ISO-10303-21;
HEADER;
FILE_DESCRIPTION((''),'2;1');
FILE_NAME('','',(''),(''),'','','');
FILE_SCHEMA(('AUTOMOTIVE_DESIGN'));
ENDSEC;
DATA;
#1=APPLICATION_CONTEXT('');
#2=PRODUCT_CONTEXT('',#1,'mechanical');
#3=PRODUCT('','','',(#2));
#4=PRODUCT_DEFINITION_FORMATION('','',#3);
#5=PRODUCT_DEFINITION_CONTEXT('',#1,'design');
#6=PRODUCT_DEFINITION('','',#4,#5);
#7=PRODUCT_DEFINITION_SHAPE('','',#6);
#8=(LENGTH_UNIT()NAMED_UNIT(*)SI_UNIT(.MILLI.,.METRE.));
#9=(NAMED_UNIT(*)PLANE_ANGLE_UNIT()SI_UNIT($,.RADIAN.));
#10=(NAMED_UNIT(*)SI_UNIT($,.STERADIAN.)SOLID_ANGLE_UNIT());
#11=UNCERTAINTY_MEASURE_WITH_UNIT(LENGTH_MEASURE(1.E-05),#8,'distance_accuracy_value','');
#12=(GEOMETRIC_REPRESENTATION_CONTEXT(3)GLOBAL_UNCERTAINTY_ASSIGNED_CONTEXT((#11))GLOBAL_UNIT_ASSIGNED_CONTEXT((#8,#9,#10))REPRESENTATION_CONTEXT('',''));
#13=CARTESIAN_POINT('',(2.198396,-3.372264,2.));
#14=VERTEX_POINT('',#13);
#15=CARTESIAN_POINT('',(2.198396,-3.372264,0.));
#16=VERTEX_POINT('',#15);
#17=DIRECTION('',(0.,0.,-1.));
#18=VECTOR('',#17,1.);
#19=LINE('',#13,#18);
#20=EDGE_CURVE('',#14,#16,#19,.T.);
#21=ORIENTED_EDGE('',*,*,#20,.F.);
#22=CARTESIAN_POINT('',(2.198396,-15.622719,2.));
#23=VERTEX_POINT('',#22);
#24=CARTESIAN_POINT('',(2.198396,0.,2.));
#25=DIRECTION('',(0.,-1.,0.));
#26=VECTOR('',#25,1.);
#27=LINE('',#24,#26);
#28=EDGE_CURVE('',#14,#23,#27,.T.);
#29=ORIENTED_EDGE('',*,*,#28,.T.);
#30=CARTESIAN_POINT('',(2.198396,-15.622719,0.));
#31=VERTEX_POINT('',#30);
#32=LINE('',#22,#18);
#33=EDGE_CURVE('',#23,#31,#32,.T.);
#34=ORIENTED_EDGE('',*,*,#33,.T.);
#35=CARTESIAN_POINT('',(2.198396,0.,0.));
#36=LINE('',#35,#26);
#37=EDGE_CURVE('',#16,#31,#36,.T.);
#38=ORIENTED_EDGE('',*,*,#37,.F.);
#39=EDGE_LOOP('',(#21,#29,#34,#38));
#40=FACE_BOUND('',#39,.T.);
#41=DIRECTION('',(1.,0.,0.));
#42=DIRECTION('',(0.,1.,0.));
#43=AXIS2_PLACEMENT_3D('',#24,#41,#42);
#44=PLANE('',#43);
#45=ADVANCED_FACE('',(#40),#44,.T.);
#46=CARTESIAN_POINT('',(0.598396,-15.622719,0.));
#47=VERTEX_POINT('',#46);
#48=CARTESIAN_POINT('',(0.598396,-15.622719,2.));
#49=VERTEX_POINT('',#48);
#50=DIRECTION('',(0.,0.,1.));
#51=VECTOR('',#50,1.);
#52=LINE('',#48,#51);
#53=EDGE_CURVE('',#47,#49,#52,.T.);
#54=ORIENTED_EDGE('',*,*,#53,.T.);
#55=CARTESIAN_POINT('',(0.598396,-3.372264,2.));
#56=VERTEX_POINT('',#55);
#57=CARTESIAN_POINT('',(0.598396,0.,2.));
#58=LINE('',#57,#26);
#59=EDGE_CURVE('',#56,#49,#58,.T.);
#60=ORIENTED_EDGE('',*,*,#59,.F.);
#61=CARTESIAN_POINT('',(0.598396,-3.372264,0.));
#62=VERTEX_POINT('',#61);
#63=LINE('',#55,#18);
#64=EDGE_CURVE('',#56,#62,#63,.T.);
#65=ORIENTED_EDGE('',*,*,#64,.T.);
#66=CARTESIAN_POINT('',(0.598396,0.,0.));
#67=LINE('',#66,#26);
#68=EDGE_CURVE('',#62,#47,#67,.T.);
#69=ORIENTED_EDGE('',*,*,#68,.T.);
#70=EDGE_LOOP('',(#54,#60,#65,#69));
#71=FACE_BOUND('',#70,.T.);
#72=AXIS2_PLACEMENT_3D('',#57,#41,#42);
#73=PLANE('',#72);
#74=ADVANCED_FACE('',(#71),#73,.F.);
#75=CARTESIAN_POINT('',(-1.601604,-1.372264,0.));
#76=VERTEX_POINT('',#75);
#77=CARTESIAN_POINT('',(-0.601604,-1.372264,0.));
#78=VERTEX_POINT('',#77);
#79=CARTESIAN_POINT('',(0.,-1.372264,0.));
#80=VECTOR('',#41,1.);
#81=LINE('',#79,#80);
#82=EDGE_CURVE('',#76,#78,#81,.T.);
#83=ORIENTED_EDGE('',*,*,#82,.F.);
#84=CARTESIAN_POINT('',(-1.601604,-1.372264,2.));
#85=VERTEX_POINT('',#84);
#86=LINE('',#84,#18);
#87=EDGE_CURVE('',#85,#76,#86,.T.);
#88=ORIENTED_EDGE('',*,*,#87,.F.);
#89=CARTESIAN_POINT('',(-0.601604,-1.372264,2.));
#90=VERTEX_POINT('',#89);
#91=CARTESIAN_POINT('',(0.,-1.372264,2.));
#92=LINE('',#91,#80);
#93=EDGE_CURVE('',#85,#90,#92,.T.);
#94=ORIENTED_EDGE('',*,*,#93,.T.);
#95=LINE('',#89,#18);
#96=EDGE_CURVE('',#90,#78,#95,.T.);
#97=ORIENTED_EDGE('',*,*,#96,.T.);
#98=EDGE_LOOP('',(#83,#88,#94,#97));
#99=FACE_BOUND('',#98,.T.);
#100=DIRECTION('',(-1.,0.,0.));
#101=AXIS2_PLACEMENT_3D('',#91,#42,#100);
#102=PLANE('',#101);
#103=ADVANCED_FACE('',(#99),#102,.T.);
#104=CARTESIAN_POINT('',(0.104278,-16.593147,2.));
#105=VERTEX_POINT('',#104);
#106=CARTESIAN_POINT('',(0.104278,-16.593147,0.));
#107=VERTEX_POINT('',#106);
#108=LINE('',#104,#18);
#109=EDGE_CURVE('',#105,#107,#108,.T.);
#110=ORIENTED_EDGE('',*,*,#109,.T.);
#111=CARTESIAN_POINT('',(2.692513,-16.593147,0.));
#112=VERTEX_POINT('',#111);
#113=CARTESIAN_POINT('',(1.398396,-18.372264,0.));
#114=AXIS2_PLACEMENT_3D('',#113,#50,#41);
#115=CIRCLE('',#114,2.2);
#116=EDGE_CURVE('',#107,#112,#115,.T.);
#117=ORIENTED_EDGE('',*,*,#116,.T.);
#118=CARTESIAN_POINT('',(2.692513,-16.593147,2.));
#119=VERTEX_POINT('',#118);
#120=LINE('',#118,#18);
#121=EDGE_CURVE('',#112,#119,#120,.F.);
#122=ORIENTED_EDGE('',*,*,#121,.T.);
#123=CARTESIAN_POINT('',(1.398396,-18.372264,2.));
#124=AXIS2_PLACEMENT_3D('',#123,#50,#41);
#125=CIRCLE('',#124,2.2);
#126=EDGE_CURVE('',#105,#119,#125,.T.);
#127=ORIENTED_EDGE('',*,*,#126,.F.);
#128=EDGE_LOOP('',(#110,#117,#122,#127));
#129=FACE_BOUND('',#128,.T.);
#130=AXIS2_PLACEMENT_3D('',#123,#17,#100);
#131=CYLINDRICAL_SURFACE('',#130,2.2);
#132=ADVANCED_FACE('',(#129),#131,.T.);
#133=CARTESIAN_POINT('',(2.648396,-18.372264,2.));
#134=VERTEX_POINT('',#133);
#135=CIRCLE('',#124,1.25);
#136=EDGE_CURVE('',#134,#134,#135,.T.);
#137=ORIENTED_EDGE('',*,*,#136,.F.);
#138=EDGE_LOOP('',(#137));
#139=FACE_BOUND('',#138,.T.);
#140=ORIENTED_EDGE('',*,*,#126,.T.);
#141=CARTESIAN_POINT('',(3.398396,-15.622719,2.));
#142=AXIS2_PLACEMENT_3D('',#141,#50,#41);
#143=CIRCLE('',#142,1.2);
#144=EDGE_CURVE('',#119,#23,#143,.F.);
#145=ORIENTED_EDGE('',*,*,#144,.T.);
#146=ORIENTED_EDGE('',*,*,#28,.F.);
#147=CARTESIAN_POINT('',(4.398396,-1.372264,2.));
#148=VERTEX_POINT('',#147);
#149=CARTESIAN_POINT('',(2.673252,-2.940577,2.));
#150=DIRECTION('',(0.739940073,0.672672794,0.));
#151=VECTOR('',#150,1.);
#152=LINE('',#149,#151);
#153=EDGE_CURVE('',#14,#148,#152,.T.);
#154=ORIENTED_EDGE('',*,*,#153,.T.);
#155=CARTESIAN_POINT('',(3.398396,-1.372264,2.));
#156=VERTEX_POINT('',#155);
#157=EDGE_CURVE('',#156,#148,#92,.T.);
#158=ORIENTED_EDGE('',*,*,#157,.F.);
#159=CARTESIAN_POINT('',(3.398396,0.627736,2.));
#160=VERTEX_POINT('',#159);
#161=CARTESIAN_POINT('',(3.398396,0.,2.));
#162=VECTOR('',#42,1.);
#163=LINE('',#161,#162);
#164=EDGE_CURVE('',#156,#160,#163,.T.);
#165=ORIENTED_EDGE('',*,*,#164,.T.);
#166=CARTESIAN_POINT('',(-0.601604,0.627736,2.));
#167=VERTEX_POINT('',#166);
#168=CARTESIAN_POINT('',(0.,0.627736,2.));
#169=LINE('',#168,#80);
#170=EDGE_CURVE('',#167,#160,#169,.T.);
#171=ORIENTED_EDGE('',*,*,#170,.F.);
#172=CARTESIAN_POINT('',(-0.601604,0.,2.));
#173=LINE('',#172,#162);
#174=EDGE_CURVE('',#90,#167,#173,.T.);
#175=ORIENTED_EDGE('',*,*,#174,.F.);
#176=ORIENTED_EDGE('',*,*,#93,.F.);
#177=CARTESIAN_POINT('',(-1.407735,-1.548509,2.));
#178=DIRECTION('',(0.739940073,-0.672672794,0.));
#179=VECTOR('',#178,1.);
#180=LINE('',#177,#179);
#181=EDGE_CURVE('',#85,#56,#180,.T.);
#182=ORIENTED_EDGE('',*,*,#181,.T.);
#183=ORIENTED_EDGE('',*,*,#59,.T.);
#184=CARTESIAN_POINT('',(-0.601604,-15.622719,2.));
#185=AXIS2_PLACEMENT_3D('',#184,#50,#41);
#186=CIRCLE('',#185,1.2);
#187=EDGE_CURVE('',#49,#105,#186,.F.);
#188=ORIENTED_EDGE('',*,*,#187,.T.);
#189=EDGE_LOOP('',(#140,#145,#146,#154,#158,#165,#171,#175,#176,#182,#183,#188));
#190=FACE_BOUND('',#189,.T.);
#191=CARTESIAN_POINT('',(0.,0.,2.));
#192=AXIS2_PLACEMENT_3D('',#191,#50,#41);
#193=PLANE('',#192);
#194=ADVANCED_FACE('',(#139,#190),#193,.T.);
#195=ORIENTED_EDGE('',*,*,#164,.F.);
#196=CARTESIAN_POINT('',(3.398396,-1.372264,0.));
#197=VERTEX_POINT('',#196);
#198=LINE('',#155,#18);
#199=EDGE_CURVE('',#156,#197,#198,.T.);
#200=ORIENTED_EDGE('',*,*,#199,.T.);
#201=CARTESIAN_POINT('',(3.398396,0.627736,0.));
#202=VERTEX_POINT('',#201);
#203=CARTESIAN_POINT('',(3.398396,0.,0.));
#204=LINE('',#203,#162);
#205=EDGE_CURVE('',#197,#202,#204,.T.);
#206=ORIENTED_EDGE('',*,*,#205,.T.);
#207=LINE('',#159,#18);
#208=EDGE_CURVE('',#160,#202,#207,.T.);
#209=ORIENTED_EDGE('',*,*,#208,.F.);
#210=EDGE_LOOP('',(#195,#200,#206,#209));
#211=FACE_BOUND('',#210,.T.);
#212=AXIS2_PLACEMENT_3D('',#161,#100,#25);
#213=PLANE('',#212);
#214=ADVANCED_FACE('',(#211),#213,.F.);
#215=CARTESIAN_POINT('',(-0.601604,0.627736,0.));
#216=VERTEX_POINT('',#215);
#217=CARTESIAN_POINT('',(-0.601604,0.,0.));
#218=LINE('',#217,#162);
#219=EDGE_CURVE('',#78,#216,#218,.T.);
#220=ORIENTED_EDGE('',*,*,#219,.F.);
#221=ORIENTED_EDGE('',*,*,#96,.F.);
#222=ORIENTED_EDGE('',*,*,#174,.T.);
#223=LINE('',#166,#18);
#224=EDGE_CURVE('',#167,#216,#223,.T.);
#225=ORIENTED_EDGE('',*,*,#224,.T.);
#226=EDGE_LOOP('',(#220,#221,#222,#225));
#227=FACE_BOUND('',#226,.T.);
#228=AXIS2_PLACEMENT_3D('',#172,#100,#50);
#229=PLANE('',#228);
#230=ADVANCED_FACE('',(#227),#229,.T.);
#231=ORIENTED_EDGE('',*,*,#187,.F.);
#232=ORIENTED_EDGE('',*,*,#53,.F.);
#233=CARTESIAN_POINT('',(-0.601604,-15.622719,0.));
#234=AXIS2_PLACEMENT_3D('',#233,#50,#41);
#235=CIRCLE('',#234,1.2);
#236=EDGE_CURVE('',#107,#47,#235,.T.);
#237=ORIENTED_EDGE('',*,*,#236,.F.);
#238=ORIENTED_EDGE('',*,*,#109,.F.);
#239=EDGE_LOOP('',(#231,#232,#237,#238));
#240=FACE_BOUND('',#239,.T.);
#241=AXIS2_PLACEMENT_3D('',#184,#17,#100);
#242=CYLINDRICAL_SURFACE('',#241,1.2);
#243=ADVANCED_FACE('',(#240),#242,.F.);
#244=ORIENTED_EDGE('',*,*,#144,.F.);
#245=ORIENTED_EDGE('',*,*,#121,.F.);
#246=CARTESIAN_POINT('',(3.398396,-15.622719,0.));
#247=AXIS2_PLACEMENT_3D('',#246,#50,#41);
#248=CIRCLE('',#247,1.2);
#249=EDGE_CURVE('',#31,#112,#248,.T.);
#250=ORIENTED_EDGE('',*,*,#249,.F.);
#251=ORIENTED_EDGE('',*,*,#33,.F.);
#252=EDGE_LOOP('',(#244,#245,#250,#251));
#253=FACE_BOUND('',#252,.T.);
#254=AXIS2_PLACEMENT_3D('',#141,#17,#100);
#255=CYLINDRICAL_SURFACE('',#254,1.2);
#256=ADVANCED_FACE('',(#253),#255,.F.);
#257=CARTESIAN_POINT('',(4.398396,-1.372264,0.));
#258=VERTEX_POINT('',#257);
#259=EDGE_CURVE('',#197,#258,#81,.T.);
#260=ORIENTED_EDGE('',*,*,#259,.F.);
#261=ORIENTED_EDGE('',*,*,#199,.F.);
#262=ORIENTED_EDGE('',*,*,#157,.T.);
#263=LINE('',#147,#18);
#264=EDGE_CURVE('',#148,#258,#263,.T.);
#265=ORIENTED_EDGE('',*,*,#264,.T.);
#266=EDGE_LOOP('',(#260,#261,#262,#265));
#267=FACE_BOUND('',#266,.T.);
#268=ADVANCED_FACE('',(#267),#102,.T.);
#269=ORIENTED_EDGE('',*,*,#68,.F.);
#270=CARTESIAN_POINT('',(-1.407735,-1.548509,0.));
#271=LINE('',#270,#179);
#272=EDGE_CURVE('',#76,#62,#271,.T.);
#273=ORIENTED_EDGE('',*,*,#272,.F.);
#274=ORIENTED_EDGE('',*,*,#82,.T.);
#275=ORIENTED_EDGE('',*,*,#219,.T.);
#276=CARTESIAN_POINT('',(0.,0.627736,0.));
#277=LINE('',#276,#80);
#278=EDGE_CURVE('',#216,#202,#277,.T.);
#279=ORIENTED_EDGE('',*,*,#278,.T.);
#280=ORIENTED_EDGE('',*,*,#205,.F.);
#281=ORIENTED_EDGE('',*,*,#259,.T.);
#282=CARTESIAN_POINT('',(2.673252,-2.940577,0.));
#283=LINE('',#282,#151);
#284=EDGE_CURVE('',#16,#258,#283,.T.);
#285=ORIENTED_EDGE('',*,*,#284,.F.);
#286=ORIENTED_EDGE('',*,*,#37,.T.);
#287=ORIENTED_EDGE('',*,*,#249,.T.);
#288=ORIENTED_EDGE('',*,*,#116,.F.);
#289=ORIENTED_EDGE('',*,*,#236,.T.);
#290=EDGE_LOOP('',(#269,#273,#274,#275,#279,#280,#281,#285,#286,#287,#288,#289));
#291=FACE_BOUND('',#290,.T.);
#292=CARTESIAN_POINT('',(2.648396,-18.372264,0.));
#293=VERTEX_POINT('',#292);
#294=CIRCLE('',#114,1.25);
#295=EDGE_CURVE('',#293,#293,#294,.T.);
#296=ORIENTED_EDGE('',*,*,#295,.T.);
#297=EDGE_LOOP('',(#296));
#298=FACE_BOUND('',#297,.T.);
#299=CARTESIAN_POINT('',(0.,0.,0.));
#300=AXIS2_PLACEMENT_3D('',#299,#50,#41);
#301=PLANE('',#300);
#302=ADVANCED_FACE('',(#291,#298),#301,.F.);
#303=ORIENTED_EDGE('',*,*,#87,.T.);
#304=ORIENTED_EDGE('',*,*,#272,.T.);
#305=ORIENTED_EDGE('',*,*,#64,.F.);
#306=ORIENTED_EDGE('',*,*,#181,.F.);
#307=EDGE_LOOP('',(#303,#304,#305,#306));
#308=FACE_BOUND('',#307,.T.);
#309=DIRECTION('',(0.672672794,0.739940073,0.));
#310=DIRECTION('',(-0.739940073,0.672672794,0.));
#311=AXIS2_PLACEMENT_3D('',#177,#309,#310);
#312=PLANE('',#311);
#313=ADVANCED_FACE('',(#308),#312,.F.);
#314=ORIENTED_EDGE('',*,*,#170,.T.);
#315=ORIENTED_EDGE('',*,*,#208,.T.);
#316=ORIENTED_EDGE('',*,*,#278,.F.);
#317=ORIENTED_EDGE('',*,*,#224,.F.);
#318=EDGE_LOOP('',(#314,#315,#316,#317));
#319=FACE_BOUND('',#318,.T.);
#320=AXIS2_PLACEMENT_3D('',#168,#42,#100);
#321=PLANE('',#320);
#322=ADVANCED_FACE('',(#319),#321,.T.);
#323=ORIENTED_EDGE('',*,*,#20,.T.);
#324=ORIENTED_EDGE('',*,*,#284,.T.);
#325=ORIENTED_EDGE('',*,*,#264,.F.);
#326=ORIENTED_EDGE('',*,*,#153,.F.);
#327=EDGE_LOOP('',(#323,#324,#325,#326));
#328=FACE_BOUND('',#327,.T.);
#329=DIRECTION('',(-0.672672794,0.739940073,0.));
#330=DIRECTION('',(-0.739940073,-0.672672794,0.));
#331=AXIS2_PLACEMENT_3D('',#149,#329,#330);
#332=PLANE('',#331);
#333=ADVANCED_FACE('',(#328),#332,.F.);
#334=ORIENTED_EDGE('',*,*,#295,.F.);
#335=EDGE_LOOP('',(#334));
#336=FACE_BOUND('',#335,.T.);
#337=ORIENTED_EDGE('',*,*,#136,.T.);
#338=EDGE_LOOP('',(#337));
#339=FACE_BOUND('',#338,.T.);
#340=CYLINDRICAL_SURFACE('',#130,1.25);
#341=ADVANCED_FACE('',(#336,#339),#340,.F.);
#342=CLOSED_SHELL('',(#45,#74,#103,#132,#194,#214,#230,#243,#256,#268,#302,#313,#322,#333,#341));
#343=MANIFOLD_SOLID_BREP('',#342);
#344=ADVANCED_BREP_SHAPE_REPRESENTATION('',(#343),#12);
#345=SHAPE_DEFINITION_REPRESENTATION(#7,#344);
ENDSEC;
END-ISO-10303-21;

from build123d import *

# Parameters (mm, degrees)
ESQUISSE1_W        = 2
ESQUISSE1_H        = 2
BOSS_EXTRU_1_DEPTH = 2
CONG_1_R           = 1.2


with BuildPart() as part:
    # Esquisse1 → Boss.-Extru.1 (new body)
    with BuildSketch(Plane.XY):
        with BuildLine():
            Line((2.198395722, -3.372264328), (0.598395722, -3.372264328))
            Line((0.598395722, -3.372264328), (0.598395722, -16.322874175))
            ThreePointArc((0.598395722, -16.322874175), (1.398395722, -16.172264328), (2.198395722, -16.322874175))
            Line((2.198395722, -16.322874175), (2.198395722, -3.372264328))
        make_face()
        Polygon((-0.601604278, -1.372264328), (-1.601604278, -1.372264328), (0.598395722, -3.372264328), (2.198395722, -3.372264328), (4.398395722, -1.372264328), (3.398395722, -1.372264328), (1.398395722, -1.372264328), align=None)
        with Locations((2.398395722, -0.372264328)):
            Rectangle(ESQUISSE1_W, ESQUISSE1_H)
        with Locations((0.398395722, -0.372264328)):
            Rectangle(ESQUISSE1_W, ESQUISSE1_H)
        with BuildLine():
            ThreePointArc((2.198395722, -16.322874175), (1.398395722, -16.172264328), (0.598395722, -16.322874175))
            Line((0.598395722, -16.322874175), (0.598395722, -17.411795692))
            ThreePointArc((0.598395722, -17.411795692), (1.398395722, -17.122264328), (2.198395722, -17.411795692))
            Line((2.198395722, -17.411795692), (2.198395722, -16.322874175))
        make_face()
        with BuildLine():
            Line((0.598395722, -17.411795692), (0.598395722, -16.322874175))
            ThreePointArc((0.598395722, -16.322874175), (0.157428357, -20.188854541), (3.598395722, -18.372264328))
            ThreePointArc((3.598395722, -18.372264328), (3.214985934, -17.131296963), (2.198395722, -16.322874175))
            Line((2.198395722, -16.322874175), (2.198395722, -17.411795692))
            ThreePointArc((2.198395722, -17.411795692), (2.530318864, -17.841934242), (2.648395722, -18.372264328))
            ThreePointArc((2.648395722, -18.372264328), (0.868065636, -19.50418747), (0.598395722, -17.411795692))
        make_face()
    extrude(amount=BOSS_EXTRU_1_DEPTH)

    # Congé1
    cong_1_edges = [part.edges().sort_by_distance(p)[0] for p in [
        (2.198395722, -16.322874175, 1),
        (0.598395722, -16.322874175, 1),
    ]]
    fillet(cong_1_edges, radius=CONG_1_R)


solid = part.part
